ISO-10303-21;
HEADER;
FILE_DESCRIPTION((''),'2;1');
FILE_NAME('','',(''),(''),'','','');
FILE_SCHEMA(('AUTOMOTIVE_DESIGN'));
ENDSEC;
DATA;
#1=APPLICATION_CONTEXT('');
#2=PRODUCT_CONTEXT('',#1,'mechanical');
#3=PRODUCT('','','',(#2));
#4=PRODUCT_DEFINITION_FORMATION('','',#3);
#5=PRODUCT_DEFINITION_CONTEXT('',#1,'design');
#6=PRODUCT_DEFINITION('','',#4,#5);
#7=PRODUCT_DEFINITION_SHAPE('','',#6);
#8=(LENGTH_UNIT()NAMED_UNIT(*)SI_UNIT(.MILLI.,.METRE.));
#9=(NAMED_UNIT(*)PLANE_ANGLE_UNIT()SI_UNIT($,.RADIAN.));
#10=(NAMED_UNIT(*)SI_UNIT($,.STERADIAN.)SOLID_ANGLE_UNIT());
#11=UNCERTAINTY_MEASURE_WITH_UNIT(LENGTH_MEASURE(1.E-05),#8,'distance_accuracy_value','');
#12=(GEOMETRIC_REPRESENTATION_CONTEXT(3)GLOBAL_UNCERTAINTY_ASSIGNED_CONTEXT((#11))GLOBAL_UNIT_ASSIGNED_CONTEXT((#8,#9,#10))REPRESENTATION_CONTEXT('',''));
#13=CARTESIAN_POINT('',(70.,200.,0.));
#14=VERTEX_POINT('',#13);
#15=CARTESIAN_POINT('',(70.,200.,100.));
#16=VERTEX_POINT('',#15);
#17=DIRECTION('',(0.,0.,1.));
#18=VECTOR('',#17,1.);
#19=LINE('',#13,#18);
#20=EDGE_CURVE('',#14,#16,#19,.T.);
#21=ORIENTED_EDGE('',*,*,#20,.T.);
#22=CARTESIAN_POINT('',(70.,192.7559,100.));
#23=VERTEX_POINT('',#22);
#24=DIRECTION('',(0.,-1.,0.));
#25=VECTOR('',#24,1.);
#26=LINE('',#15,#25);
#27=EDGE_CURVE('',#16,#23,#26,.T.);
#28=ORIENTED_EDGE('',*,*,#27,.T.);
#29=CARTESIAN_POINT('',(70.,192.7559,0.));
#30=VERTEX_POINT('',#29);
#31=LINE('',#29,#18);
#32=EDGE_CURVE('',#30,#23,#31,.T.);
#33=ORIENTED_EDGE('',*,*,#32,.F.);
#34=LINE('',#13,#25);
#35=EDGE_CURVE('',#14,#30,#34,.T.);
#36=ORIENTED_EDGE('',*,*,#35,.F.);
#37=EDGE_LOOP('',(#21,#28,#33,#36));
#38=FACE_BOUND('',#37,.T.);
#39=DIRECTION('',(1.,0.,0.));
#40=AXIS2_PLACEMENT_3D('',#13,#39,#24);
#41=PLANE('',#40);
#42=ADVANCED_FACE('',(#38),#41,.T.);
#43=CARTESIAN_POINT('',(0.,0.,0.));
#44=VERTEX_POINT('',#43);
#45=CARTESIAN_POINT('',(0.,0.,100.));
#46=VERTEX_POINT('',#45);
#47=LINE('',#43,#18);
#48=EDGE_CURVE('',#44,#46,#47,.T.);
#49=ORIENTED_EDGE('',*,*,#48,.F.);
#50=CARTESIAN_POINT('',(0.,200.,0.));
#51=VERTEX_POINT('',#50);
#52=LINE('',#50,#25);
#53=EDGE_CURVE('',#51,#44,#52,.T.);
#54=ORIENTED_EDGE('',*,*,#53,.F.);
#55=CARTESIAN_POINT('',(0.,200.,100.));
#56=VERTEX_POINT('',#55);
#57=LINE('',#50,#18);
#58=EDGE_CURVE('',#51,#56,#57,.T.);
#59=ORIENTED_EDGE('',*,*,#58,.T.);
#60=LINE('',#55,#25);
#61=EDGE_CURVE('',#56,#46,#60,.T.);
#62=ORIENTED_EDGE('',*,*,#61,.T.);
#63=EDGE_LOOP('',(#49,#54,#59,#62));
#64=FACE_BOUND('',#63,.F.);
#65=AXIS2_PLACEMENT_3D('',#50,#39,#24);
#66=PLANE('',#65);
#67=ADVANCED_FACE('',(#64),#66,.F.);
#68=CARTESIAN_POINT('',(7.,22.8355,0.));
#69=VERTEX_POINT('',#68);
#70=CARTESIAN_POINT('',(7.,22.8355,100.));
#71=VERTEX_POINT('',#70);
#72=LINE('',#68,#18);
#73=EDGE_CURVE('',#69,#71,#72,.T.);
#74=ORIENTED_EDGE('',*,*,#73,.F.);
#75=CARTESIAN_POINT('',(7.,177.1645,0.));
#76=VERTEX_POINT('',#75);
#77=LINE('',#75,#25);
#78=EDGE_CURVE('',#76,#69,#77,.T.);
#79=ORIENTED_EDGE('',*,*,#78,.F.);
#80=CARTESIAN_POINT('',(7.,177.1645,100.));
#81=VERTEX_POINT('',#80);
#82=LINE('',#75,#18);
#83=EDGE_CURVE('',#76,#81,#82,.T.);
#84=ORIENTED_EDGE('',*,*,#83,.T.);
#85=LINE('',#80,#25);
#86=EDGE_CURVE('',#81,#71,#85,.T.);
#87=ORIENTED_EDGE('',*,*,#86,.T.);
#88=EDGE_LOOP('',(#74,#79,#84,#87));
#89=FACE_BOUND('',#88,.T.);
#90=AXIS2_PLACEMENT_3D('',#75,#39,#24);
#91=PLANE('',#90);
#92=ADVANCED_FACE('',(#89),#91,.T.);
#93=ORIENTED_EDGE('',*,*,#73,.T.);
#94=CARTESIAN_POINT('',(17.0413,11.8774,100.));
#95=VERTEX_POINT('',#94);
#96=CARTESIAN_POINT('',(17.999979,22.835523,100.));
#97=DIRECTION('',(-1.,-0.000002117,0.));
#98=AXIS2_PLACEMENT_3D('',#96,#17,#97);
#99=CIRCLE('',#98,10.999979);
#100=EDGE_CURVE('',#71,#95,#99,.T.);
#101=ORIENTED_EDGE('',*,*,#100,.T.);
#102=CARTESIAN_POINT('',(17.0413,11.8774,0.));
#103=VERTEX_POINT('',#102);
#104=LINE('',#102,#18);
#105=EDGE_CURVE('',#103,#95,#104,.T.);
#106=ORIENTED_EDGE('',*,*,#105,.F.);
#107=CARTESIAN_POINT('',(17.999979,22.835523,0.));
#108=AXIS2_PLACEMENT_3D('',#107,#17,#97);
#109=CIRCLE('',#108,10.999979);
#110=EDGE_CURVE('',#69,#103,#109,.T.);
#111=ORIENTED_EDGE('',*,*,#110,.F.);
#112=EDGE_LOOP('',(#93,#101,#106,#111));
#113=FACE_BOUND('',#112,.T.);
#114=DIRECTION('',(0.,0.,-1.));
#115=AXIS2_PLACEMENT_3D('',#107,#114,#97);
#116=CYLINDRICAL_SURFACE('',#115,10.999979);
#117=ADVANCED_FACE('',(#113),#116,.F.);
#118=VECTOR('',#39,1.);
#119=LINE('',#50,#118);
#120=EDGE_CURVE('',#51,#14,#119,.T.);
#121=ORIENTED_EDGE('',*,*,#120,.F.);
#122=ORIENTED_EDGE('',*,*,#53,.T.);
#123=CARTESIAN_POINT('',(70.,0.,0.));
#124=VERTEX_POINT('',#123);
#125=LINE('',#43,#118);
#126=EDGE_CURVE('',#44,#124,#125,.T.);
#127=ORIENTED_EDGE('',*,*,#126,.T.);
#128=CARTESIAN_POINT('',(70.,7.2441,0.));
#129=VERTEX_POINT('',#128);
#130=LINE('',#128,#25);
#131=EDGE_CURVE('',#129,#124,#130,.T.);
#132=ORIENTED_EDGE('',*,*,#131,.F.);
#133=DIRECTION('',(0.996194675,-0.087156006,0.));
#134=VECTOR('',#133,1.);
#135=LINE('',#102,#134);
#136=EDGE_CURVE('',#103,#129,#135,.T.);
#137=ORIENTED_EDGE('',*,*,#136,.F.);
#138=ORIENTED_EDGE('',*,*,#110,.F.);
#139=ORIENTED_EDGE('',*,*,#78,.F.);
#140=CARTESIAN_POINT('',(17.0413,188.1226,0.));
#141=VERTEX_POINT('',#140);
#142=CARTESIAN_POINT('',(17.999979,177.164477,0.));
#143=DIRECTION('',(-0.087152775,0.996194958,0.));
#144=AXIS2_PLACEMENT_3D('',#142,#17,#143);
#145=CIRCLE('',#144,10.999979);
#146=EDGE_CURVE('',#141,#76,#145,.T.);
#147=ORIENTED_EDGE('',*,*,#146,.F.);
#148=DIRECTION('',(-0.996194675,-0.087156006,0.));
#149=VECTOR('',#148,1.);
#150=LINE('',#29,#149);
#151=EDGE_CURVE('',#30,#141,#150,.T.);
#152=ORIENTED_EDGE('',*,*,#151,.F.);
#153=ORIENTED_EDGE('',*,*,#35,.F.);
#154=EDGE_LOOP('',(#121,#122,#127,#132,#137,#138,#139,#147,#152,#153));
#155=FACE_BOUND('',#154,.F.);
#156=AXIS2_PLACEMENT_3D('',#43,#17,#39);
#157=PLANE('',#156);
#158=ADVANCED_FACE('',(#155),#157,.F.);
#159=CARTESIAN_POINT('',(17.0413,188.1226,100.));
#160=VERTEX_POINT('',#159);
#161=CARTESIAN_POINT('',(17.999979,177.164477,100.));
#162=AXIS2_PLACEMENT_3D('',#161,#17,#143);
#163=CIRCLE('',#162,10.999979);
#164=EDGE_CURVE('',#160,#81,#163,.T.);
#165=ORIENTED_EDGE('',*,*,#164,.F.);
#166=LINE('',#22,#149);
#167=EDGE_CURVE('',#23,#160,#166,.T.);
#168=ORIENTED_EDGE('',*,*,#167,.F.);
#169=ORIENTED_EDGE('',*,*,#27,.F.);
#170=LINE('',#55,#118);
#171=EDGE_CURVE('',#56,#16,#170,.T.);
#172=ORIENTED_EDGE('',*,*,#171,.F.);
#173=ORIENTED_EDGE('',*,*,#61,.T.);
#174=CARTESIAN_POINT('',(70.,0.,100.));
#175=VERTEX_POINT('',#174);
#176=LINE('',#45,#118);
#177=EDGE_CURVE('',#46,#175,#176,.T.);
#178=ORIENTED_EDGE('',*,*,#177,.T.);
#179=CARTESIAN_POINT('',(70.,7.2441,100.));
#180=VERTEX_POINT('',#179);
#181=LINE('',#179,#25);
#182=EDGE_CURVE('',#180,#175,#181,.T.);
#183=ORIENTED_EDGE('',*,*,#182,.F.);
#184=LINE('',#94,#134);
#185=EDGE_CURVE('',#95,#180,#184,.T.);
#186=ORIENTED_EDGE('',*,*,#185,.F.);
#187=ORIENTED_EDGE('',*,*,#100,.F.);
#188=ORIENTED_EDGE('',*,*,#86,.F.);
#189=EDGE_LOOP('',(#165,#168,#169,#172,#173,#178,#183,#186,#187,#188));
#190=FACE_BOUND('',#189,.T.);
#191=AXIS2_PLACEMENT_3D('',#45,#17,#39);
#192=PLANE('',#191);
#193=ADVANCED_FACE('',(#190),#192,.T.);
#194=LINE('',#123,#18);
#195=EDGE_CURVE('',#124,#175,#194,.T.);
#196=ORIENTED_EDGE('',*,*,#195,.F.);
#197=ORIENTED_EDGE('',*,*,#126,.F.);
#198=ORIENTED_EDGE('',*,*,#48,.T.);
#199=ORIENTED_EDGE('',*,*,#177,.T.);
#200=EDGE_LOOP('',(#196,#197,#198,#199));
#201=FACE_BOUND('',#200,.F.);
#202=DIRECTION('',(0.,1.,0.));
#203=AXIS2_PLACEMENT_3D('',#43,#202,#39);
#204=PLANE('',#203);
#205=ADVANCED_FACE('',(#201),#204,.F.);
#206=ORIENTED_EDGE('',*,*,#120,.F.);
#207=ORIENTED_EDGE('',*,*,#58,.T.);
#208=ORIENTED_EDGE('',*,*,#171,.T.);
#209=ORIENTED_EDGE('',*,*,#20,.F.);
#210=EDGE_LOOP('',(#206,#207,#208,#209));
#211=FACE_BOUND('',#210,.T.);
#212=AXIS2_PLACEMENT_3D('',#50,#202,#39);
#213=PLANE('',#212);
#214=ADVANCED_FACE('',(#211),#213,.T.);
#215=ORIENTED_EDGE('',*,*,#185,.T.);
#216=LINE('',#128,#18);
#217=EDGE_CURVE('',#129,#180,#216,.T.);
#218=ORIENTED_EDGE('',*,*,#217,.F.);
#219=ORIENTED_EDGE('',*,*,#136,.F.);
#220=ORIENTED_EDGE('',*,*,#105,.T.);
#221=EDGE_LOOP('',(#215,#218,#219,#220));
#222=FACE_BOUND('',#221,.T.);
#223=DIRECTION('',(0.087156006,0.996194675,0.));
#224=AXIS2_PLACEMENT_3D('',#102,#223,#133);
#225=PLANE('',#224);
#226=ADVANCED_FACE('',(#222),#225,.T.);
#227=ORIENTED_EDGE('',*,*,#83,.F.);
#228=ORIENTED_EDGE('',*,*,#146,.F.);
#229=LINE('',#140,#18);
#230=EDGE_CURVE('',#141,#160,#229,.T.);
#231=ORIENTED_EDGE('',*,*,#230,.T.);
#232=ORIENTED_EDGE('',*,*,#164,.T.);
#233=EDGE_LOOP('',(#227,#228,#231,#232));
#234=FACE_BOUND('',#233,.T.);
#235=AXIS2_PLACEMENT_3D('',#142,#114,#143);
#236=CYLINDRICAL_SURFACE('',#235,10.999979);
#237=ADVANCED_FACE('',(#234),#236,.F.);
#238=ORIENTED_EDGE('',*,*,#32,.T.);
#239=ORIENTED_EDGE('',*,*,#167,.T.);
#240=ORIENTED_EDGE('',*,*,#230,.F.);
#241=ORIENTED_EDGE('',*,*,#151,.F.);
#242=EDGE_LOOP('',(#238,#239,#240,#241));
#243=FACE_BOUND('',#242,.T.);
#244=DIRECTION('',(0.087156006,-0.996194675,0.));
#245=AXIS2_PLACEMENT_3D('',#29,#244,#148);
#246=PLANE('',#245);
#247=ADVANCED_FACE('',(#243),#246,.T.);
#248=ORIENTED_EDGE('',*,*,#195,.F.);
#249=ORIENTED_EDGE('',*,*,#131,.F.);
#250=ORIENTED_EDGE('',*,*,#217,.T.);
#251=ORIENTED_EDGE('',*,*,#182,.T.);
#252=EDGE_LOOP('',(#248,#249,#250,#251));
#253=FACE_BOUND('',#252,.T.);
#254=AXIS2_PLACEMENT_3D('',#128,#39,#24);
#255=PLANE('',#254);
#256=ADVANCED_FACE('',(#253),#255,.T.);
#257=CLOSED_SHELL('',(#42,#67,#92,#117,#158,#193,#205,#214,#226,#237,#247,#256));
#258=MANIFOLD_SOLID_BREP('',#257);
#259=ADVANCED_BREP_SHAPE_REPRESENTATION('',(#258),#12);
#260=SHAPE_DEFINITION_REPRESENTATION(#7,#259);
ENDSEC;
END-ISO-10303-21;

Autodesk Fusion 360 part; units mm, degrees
sketch "スケッチ1" plane through (0, 0, 0) normal (0, 0, 1) x (1, 0, 0)
  line L0 (7, 177.1645) -> (7, 22.8355)
  line L1 (0, 200) -> (0, 0)
  line L2 (0, 0) -> (70, 0)
  line L3 (70, 7.2441) -> (70, 0)
  line L4 (17.0413, 11.8774) -> (70, 7.2441)
  line L5 (70, 192.7559) -> (17.0413, 188.1226)
  line L6 (0, 200) -> (70, 200)
  line L7 (70, 200) -> (70, 192.7559)
  arc A0 (7, 22.8355) -> (17.0413, 11.8774) centre (18, 22.8355) ccw
  arc A1 (17.0413, 188.1226) -> (7, 177.1645) centre (18, 177.1645) ccw
extrude "押し出し1" add sketch "スケッチ1" along normal blind 100
